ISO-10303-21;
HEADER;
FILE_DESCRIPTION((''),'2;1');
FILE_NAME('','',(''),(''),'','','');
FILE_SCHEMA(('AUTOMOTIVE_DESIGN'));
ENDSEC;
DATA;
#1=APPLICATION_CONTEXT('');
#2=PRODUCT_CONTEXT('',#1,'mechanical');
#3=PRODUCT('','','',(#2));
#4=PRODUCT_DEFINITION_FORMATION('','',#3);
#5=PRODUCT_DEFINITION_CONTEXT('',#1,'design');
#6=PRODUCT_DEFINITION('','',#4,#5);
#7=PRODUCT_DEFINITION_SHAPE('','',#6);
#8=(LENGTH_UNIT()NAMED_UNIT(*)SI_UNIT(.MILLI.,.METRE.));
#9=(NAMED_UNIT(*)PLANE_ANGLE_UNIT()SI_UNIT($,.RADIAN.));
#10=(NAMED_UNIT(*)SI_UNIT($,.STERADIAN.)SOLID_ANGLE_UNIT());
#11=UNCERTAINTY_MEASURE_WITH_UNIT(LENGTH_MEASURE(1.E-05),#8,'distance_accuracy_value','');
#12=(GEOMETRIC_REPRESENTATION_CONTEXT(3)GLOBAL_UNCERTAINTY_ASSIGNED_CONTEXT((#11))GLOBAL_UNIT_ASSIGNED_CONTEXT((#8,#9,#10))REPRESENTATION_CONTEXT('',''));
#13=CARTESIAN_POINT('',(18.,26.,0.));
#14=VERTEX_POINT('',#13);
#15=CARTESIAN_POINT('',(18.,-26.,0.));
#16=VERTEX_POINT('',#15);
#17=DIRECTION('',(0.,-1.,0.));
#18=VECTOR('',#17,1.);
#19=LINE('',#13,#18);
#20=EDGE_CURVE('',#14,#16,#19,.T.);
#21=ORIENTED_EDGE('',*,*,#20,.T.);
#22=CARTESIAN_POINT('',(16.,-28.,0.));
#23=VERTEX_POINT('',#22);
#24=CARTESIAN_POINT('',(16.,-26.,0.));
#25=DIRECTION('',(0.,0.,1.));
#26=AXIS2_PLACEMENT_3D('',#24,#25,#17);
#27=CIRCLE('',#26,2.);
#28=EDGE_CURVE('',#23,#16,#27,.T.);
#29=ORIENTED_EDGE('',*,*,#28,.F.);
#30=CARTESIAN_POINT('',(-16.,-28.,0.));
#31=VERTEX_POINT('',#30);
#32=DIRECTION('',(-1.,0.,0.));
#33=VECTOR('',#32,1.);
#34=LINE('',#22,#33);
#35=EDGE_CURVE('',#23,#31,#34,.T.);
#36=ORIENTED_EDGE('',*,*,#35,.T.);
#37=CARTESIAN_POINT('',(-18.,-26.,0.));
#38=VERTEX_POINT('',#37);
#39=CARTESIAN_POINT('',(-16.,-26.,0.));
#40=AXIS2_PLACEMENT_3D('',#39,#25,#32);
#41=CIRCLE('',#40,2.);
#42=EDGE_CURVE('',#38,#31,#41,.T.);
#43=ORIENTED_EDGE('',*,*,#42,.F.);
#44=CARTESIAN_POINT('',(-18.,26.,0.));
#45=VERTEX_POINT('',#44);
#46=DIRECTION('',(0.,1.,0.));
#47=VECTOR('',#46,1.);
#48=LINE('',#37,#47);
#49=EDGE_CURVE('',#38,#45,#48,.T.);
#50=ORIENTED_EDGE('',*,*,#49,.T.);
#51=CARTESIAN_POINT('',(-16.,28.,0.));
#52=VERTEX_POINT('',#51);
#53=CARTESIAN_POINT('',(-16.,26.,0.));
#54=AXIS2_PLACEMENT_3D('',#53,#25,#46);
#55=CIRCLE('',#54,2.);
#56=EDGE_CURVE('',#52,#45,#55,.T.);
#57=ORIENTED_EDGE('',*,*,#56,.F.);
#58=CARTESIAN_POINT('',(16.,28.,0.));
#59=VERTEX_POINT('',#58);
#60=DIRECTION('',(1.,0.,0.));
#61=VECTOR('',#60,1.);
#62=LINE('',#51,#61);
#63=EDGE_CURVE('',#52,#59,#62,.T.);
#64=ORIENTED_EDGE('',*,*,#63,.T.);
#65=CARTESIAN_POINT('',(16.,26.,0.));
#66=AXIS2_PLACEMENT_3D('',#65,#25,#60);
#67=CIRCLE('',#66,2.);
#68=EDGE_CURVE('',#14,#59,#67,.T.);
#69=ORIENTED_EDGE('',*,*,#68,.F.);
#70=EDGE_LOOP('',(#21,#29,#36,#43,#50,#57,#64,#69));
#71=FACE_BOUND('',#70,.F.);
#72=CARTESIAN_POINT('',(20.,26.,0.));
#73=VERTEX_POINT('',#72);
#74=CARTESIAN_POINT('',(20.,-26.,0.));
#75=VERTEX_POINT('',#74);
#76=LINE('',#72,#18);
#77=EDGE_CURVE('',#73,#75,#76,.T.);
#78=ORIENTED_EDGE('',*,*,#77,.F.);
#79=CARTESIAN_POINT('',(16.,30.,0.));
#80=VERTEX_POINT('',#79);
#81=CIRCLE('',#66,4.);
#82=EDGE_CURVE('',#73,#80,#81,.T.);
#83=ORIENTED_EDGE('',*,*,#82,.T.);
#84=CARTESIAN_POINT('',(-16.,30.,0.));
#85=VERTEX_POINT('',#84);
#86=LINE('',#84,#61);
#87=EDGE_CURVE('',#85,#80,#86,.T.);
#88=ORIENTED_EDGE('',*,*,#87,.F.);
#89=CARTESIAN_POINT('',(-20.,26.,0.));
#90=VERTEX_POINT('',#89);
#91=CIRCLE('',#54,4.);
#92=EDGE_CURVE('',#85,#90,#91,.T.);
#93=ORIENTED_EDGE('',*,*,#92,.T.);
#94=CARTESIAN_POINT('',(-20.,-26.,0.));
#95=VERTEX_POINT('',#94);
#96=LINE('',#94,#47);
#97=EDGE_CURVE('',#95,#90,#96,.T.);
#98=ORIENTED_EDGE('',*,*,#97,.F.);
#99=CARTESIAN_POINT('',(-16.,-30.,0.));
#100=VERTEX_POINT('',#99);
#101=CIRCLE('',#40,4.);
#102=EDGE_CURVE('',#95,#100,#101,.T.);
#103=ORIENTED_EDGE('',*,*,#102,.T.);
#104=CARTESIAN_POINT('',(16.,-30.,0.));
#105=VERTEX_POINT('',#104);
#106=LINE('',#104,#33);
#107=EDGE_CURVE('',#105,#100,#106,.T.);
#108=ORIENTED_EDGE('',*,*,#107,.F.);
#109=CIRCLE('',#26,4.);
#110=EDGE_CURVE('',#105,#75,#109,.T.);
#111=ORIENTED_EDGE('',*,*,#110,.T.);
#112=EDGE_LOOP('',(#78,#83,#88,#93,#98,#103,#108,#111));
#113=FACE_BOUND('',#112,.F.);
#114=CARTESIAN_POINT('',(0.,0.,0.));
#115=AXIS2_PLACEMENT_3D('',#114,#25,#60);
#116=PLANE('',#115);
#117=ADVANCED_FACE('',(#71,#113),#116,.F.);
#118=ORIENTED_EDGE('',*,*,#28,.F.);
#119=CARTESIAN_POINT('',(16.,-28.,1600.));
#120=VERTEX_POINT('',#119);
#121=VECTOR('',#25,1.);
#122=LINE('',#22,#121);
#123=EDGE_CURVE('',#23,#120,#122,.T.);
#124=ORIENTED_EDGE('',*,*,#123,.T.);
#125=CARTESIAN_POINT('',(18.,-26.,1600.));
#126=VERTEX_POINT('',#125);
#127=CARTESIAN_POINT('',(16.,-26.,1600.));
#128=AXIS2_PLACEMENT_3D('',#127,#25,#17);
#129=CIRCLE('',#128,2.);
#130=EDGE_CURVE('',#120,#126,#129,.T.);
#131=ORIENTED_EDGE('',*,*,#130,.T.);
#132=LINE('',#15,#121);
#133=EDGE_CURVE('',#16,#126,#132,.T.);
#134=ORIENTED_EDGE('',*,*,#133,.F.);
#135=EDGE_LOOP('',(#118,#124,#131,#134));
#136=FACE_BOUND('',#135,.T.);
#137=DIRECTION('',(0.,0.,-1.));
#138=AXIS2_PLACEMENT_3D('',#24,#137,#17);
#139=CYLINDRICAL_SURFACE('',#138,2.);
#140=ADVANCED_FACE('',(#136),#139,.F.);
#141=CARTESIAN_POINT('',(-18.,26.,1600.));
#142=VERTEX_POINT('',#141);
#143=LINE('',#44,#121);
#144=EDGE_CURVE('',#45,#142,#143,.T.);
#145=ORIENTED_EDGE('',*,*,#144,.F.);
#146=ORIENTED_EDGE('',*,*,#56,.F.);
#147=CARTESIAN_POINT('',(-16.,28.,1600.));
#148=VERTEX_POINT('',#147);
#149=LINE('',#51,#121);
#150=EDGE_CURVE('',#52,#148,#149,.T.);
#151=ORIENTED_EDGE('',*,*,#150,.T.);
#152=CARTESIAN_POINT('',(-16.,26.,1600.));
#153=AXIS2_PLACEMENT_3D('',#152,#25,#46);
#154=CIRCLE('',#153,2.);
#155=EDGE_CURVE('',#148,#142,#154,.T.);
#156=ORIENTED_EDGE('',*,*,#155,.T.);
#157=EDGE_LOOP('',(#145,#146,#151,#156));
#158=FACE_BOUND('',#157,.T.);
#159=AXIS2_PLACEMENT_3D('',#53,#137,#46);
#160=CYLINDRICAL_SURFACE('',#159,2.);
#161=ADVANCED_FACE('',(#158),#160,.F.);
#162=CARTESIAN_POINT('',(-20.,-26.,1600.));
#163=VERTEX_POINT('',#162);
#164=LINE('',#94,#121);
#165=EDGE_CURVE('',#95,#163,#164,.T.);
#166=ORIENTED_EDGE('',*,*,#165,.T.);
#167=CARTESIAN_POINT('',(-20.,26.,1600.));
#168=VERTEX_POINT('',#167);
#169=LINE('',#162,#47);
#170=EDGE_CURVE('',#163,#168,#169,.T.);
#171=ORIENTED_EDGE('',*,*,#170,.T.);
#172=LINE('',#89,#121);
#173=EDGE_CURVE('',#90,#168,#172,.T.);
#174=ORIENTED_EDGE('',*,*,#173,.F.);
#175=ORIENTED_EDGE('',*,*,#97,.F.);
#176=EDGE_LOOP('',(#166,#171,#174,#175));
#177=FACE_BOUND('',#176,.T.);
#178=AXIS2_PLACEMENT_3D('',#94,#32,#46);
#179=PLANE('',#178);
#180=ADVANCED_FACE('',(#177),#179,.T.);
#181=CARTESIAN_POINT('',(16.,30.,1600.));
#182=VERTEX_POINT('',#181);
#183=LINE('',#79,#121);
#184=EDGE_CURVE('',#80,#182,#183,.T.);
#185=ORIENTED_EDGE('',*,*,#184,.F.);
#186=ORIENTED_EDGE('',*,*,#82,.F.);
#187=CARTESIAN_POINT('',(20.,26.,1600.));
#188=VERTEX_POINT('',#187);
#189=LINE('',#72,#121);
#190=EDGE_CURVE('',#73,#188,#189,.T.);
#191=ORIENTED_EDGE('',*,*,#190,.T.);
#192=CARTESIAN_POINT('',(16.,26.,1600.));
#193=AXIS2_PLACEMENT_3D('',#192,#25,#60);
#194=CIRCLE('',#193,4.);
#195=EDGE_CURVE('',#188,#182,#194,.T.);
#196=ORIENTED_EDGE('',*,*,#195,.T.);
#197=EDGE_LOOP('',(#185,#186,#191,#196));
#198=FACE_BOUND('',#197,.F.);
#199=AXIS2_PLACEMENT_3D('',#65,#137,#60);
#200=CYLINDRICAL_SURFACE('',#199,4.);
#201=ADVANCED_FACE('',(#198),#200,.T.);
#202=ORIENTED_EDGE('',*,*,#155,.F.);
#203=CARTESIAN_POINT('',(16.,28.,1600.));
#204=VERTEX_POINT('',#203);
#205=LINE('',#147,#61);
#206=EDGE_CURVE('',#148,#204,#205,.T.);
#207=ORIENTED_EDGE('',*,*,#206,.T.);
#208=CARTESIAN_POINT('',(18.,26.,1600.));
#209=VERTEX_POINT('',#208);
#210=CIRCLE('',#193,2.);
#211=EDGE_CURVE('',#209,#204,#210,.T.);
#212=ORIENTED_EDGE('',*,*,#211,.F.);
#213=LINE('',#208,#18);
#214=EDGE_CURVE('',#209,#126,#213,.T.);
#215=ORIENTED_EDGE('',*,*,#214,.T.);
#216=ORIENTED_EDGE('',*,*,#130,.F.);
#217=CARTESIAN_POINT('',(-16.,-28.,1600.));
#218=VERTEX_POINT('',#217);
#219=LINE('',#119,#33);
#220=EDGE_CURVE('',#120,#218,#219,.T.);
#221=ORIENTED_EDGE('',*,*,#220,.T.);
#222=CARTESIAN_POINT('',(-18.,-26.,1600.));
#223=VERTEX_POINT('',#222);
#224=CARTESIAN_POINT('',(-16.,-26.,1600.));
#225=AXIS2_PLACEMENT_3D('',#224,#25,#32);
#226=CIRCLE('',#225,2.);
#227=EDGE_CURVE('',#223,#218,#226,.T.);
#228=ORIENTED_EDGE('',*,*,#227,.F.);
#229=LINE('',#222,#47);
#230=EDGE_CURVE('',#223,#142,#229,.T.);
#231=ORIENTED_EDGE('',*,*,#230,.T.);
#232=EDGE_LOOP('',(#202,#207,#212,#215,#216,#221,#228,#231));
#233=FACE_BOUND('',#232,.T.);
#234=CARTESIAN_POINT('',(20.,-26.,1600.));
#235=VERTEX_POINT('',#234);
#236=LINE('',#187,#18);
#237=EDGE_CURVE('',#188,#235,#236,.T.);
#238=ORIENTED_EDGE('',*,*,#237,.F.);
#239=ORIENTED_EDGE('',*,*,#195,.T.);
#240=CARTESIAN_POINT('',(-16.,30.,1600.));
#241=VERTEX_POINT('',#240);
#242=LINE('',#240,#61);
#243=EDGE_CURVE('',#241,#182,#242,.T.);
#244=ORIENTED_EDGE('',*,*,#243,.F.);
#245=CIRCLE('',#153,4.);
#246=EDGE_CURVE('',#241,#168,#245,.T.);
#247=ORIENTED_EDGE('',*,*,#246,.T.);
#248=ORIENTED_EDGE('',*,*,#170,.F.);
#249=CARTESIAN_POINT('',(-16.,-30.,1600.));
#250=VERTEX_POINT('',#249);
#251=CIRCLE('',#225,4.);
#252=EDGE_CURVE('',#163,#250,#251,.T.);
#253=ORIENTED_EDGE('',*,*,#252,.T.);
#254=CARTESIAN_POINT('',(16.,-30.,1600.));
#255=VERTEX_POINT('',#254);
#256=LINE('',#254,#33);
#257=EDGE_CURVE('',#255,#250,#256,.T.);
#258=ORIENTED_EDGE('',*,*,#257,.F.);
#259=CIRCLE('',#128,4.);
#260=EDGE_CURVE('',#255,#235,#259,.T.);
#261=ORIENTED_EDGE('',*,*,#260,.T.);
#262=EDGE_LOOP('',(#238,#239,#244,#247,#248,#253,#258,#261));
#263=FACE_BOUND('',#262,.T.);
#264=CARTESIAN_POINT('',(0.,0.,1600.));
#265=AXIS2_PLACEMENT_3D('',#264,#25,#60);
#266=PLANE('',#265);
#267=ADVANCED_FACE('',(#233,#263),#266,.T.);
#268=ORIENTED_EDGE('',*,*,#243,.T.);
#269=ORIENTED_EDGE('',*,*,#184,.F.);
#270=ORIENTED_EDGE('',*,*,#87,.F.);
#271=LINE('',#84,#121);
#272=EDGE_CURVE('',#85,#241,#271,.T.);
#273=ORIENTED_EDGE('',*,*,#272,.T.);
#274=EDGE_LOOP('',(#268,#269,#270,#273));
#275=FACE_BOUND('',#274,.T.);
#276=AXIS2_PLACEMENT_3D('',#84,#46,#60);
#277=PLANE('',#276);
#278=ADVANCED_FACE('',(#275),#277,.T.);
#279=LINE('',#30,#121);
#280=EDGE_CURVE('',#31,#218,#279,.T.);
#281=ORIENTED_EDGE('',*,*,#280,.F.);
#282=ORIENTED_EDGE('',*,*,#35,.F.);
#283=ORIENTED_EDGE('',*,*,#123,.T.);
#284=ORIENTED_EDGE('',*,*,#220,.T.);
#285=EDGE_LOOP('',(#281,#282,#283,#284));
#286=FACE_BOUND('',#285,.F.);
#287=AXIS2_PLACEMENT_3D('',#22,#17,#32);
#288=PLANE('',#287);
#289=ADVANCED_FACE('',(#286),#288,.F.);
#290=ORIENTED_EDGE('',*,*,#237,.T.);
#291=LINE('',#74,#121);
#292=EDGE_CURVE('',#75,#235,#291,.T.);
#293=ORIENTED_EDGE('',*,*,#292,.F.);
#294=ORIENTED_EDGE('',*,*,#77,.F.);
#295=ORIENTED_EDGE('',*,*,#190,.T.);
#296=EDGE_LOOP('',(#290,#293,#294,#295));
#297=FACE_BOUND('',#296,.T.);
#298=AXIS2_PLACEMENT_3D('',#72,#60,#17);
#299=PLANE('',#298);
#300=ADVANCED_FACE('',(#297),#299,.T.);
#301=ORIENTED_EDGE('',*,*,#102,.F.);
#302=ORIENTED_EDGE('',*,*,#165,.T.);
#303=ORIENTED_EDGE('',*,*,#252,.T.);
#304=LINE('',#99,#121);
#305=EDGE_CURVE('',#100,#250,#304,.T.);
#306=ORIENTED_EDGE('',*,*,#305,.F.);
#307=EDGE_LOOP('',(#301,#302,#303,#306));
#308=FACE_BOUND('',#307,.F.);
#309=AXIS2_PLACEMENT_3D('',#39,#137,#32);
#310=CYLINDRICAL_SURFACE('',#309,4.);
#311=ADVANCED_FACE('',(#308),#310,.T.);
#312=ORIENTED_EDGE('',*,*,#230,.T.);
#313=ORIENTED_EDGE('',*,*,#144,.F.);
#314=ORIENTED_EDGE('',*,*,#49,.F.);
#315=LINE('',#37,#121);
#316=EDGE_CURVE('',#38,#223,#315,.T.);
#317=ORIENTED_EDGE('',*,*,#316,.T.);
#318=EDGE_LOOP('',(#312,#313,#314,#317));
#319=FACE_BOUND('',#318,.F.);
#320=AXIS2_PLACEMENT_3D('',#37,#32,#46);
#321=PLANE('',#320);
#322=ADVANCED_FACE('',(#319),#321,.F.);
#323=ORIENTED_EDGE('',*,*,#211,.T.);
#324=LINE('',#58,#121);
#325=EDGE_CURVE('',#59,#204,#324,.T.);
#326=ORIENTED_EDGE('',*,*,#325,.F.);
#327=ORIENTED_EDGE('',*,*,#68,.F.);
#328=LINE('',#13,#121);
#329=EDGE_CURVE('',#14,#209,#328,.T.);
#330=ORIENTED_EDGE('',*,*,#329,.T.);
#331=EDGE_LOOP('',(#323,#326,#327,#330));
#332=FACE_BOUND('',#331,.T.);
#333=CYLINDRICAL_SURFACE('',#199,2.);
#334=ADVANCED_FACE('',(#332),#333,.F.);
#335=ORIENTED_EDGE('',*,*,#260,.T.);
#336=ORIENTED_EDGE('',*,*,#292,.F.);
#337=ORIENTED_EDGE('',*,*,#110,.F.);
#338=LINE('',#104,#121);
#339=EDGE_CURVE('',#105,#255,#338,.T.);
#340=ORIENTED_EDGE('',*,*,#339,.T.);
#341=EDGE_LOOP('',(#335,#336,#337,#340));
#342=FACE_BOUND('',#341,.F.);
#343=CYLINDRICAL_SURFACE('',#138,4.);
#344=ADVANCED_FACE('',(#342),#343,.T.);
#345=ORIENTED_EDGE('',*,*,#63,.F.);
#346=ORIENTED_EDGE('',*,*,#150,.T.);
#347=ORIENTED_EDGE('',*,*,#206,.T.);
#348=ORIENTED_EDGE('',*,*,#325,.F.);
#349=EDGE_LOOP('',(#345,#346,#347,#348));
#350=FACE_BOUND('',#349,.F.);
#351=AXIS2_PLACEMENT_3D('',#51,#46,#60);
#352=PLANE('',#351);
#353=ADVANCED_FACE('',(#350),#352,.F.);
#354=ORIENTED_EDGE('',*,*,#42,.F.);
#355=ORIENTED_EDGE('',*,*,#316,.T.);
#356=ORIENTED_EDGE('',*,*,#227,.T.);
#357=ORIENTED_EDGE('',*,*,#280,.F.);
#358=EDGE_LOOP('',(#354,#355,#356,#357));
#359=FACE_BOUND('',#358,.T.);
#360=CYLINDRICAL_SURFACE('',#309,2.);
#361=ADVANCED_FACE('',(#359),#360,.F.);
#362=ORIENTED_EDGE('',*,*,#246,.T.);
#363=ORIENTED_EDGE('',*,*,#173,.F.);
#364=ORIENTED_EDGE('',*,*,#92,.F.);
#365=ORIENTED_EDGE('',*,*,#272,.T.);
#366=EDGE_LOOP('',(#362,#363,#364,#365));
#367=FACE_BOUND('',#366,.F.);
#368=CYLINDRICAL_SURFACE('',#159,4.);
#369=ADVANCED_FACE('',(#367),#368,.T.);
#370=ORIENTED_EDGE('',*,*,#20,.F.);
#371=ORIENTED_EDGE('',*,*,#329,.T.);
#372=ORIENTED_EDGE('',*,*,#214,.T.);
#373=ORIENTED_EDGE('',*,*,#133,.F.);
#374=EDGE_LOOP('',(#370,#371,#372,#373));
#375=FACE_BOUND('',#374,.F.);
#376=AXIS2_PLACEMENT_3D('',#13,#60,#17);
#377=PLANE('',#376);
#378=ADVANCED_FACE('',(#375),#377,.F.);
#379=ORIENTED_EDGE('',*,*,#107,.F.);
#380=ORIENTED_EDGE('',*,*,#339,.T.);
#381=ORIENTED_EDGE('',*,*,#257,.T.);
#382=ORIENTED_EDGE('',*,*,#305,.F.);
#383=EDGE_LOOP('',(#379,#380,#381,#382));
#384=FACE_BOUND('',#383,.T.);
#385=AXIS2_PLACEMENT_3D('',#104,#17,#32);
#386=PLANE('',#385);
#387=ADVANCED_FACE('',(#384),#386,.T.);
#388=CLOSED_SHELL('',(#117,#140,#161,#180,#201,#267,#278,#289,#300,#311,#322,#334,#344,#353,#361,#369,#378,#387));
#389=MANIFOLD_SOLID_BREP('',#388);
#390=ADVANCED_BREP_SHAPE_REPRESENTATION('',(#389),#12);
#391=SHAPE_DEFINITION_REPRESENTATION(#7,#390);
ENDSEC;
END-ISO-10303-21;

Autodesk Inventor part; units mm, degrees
ref_plane "YZ Plane" through (0, 0, 0) normal (1, 0, 0) x (0, 1, 0)
ref_plane "Start Plane" through (0, 0, 0) normal (0, 0, 1) x (1, 0, 0)
ref_plane "End Plane" through (0, 0, 1600) normal (0, 0, 1) x (1, 0, 0)
sketch "Sketch" plane through (0, 0, 0) normal (0, 0, 1) x (1, 0, 0)
  line L0 (-20, -26) -> (-20, 26)
  line L1 (-16, 30) -> (16, 30)
  line L2 (20, 26) -> (20, -26)
  line L3 (16, -30) -> (-16, -30)
  arc A0 (-20, -26) -> (-16, -30) centre (-16, -26) ccw
  arc A1 (20, 26) -> (16, 30) centre (16, 26) ccw
  arc A2 (-16, 30) -> (-20, 26) centre (-16, 26) ccw
  arc A3 (16, -30) -> (20, -26) centre (16, -26) ccw
  arc A4 (-16, 28) -> (-18, 26) centre (-16, 26) ccw
  line L4 (-16, 28) -> (16, 28)
  arc A5 (18, 26) -> (16, 28) centre (16, 26) ccw
  line L5 (18, 26) -> (18, -26)
  arc A6 (16, -28) -> (18, -26) centre (16, -26) ccw
  line L6 (16, -28) -> (-16, -28)
  arc A7 (-18, -26) -> (-16, -28) centre (-16, -26) ccw
  line L7 (-18, -26) -> (-18, 26)
  line L8 (0, 43.1598) -> (0, -43.1598) construction
  line L9 (-29.1598, 0) -> (29.1598, 0) construction
  dimension "d7" = 4
  dimension "d9" = 40
  dimension "d11" = 60
  dimension "d12" = 2
  dimension "d15" = 20
  dimension "d16" = 30
extrude "Body" add sketch "Sketch" along normal up to surface (1600 mm away) from surface at 0
sketch "Sketch3" plane through (0, 0, 0) normal (0, 0, 1) x (1, 0, 0)
  line L0 (0, 0) -> (10, 0)
ref_plane "Work Plane3" through (0, 0, 0) normal (0, -1, 0) x (1, 0, 0)
sketch "Sketch4" plane through (0, 0, 0) normal (0, -1, 0) x (1, 0, 0)
  line L0 (-2, 0) -> (12, 0) projected
  line L1 (-2, 1600) -> (12, 1600) projected
  dimension "d18" = 1600
equation "\"d7\" = G_IR"
equation "\"d9\" = G_W"
equation "\"d11\" = G_H"
equation "\"d12\" = G_T"
equation "\"d15\" = 0.5 * d9"
equation "\"d16\" = 0.5 * d11"
equation "\"d3\" = G_L"
equation "\"G_W\" = 40"
equation "\"G_H\" = 60"
equation "\"G_T\" = 2"
equation "\"G_IR\" = 4"
equation "\"G_L\" = d18"
equation "\"G_OFFSET_START\" = 0"
equation "\"G_OFFSET_END\" = 0"
properties part number "ISO 10799-2 - 60x40x2 - 1600" material "Steel, Mild"
